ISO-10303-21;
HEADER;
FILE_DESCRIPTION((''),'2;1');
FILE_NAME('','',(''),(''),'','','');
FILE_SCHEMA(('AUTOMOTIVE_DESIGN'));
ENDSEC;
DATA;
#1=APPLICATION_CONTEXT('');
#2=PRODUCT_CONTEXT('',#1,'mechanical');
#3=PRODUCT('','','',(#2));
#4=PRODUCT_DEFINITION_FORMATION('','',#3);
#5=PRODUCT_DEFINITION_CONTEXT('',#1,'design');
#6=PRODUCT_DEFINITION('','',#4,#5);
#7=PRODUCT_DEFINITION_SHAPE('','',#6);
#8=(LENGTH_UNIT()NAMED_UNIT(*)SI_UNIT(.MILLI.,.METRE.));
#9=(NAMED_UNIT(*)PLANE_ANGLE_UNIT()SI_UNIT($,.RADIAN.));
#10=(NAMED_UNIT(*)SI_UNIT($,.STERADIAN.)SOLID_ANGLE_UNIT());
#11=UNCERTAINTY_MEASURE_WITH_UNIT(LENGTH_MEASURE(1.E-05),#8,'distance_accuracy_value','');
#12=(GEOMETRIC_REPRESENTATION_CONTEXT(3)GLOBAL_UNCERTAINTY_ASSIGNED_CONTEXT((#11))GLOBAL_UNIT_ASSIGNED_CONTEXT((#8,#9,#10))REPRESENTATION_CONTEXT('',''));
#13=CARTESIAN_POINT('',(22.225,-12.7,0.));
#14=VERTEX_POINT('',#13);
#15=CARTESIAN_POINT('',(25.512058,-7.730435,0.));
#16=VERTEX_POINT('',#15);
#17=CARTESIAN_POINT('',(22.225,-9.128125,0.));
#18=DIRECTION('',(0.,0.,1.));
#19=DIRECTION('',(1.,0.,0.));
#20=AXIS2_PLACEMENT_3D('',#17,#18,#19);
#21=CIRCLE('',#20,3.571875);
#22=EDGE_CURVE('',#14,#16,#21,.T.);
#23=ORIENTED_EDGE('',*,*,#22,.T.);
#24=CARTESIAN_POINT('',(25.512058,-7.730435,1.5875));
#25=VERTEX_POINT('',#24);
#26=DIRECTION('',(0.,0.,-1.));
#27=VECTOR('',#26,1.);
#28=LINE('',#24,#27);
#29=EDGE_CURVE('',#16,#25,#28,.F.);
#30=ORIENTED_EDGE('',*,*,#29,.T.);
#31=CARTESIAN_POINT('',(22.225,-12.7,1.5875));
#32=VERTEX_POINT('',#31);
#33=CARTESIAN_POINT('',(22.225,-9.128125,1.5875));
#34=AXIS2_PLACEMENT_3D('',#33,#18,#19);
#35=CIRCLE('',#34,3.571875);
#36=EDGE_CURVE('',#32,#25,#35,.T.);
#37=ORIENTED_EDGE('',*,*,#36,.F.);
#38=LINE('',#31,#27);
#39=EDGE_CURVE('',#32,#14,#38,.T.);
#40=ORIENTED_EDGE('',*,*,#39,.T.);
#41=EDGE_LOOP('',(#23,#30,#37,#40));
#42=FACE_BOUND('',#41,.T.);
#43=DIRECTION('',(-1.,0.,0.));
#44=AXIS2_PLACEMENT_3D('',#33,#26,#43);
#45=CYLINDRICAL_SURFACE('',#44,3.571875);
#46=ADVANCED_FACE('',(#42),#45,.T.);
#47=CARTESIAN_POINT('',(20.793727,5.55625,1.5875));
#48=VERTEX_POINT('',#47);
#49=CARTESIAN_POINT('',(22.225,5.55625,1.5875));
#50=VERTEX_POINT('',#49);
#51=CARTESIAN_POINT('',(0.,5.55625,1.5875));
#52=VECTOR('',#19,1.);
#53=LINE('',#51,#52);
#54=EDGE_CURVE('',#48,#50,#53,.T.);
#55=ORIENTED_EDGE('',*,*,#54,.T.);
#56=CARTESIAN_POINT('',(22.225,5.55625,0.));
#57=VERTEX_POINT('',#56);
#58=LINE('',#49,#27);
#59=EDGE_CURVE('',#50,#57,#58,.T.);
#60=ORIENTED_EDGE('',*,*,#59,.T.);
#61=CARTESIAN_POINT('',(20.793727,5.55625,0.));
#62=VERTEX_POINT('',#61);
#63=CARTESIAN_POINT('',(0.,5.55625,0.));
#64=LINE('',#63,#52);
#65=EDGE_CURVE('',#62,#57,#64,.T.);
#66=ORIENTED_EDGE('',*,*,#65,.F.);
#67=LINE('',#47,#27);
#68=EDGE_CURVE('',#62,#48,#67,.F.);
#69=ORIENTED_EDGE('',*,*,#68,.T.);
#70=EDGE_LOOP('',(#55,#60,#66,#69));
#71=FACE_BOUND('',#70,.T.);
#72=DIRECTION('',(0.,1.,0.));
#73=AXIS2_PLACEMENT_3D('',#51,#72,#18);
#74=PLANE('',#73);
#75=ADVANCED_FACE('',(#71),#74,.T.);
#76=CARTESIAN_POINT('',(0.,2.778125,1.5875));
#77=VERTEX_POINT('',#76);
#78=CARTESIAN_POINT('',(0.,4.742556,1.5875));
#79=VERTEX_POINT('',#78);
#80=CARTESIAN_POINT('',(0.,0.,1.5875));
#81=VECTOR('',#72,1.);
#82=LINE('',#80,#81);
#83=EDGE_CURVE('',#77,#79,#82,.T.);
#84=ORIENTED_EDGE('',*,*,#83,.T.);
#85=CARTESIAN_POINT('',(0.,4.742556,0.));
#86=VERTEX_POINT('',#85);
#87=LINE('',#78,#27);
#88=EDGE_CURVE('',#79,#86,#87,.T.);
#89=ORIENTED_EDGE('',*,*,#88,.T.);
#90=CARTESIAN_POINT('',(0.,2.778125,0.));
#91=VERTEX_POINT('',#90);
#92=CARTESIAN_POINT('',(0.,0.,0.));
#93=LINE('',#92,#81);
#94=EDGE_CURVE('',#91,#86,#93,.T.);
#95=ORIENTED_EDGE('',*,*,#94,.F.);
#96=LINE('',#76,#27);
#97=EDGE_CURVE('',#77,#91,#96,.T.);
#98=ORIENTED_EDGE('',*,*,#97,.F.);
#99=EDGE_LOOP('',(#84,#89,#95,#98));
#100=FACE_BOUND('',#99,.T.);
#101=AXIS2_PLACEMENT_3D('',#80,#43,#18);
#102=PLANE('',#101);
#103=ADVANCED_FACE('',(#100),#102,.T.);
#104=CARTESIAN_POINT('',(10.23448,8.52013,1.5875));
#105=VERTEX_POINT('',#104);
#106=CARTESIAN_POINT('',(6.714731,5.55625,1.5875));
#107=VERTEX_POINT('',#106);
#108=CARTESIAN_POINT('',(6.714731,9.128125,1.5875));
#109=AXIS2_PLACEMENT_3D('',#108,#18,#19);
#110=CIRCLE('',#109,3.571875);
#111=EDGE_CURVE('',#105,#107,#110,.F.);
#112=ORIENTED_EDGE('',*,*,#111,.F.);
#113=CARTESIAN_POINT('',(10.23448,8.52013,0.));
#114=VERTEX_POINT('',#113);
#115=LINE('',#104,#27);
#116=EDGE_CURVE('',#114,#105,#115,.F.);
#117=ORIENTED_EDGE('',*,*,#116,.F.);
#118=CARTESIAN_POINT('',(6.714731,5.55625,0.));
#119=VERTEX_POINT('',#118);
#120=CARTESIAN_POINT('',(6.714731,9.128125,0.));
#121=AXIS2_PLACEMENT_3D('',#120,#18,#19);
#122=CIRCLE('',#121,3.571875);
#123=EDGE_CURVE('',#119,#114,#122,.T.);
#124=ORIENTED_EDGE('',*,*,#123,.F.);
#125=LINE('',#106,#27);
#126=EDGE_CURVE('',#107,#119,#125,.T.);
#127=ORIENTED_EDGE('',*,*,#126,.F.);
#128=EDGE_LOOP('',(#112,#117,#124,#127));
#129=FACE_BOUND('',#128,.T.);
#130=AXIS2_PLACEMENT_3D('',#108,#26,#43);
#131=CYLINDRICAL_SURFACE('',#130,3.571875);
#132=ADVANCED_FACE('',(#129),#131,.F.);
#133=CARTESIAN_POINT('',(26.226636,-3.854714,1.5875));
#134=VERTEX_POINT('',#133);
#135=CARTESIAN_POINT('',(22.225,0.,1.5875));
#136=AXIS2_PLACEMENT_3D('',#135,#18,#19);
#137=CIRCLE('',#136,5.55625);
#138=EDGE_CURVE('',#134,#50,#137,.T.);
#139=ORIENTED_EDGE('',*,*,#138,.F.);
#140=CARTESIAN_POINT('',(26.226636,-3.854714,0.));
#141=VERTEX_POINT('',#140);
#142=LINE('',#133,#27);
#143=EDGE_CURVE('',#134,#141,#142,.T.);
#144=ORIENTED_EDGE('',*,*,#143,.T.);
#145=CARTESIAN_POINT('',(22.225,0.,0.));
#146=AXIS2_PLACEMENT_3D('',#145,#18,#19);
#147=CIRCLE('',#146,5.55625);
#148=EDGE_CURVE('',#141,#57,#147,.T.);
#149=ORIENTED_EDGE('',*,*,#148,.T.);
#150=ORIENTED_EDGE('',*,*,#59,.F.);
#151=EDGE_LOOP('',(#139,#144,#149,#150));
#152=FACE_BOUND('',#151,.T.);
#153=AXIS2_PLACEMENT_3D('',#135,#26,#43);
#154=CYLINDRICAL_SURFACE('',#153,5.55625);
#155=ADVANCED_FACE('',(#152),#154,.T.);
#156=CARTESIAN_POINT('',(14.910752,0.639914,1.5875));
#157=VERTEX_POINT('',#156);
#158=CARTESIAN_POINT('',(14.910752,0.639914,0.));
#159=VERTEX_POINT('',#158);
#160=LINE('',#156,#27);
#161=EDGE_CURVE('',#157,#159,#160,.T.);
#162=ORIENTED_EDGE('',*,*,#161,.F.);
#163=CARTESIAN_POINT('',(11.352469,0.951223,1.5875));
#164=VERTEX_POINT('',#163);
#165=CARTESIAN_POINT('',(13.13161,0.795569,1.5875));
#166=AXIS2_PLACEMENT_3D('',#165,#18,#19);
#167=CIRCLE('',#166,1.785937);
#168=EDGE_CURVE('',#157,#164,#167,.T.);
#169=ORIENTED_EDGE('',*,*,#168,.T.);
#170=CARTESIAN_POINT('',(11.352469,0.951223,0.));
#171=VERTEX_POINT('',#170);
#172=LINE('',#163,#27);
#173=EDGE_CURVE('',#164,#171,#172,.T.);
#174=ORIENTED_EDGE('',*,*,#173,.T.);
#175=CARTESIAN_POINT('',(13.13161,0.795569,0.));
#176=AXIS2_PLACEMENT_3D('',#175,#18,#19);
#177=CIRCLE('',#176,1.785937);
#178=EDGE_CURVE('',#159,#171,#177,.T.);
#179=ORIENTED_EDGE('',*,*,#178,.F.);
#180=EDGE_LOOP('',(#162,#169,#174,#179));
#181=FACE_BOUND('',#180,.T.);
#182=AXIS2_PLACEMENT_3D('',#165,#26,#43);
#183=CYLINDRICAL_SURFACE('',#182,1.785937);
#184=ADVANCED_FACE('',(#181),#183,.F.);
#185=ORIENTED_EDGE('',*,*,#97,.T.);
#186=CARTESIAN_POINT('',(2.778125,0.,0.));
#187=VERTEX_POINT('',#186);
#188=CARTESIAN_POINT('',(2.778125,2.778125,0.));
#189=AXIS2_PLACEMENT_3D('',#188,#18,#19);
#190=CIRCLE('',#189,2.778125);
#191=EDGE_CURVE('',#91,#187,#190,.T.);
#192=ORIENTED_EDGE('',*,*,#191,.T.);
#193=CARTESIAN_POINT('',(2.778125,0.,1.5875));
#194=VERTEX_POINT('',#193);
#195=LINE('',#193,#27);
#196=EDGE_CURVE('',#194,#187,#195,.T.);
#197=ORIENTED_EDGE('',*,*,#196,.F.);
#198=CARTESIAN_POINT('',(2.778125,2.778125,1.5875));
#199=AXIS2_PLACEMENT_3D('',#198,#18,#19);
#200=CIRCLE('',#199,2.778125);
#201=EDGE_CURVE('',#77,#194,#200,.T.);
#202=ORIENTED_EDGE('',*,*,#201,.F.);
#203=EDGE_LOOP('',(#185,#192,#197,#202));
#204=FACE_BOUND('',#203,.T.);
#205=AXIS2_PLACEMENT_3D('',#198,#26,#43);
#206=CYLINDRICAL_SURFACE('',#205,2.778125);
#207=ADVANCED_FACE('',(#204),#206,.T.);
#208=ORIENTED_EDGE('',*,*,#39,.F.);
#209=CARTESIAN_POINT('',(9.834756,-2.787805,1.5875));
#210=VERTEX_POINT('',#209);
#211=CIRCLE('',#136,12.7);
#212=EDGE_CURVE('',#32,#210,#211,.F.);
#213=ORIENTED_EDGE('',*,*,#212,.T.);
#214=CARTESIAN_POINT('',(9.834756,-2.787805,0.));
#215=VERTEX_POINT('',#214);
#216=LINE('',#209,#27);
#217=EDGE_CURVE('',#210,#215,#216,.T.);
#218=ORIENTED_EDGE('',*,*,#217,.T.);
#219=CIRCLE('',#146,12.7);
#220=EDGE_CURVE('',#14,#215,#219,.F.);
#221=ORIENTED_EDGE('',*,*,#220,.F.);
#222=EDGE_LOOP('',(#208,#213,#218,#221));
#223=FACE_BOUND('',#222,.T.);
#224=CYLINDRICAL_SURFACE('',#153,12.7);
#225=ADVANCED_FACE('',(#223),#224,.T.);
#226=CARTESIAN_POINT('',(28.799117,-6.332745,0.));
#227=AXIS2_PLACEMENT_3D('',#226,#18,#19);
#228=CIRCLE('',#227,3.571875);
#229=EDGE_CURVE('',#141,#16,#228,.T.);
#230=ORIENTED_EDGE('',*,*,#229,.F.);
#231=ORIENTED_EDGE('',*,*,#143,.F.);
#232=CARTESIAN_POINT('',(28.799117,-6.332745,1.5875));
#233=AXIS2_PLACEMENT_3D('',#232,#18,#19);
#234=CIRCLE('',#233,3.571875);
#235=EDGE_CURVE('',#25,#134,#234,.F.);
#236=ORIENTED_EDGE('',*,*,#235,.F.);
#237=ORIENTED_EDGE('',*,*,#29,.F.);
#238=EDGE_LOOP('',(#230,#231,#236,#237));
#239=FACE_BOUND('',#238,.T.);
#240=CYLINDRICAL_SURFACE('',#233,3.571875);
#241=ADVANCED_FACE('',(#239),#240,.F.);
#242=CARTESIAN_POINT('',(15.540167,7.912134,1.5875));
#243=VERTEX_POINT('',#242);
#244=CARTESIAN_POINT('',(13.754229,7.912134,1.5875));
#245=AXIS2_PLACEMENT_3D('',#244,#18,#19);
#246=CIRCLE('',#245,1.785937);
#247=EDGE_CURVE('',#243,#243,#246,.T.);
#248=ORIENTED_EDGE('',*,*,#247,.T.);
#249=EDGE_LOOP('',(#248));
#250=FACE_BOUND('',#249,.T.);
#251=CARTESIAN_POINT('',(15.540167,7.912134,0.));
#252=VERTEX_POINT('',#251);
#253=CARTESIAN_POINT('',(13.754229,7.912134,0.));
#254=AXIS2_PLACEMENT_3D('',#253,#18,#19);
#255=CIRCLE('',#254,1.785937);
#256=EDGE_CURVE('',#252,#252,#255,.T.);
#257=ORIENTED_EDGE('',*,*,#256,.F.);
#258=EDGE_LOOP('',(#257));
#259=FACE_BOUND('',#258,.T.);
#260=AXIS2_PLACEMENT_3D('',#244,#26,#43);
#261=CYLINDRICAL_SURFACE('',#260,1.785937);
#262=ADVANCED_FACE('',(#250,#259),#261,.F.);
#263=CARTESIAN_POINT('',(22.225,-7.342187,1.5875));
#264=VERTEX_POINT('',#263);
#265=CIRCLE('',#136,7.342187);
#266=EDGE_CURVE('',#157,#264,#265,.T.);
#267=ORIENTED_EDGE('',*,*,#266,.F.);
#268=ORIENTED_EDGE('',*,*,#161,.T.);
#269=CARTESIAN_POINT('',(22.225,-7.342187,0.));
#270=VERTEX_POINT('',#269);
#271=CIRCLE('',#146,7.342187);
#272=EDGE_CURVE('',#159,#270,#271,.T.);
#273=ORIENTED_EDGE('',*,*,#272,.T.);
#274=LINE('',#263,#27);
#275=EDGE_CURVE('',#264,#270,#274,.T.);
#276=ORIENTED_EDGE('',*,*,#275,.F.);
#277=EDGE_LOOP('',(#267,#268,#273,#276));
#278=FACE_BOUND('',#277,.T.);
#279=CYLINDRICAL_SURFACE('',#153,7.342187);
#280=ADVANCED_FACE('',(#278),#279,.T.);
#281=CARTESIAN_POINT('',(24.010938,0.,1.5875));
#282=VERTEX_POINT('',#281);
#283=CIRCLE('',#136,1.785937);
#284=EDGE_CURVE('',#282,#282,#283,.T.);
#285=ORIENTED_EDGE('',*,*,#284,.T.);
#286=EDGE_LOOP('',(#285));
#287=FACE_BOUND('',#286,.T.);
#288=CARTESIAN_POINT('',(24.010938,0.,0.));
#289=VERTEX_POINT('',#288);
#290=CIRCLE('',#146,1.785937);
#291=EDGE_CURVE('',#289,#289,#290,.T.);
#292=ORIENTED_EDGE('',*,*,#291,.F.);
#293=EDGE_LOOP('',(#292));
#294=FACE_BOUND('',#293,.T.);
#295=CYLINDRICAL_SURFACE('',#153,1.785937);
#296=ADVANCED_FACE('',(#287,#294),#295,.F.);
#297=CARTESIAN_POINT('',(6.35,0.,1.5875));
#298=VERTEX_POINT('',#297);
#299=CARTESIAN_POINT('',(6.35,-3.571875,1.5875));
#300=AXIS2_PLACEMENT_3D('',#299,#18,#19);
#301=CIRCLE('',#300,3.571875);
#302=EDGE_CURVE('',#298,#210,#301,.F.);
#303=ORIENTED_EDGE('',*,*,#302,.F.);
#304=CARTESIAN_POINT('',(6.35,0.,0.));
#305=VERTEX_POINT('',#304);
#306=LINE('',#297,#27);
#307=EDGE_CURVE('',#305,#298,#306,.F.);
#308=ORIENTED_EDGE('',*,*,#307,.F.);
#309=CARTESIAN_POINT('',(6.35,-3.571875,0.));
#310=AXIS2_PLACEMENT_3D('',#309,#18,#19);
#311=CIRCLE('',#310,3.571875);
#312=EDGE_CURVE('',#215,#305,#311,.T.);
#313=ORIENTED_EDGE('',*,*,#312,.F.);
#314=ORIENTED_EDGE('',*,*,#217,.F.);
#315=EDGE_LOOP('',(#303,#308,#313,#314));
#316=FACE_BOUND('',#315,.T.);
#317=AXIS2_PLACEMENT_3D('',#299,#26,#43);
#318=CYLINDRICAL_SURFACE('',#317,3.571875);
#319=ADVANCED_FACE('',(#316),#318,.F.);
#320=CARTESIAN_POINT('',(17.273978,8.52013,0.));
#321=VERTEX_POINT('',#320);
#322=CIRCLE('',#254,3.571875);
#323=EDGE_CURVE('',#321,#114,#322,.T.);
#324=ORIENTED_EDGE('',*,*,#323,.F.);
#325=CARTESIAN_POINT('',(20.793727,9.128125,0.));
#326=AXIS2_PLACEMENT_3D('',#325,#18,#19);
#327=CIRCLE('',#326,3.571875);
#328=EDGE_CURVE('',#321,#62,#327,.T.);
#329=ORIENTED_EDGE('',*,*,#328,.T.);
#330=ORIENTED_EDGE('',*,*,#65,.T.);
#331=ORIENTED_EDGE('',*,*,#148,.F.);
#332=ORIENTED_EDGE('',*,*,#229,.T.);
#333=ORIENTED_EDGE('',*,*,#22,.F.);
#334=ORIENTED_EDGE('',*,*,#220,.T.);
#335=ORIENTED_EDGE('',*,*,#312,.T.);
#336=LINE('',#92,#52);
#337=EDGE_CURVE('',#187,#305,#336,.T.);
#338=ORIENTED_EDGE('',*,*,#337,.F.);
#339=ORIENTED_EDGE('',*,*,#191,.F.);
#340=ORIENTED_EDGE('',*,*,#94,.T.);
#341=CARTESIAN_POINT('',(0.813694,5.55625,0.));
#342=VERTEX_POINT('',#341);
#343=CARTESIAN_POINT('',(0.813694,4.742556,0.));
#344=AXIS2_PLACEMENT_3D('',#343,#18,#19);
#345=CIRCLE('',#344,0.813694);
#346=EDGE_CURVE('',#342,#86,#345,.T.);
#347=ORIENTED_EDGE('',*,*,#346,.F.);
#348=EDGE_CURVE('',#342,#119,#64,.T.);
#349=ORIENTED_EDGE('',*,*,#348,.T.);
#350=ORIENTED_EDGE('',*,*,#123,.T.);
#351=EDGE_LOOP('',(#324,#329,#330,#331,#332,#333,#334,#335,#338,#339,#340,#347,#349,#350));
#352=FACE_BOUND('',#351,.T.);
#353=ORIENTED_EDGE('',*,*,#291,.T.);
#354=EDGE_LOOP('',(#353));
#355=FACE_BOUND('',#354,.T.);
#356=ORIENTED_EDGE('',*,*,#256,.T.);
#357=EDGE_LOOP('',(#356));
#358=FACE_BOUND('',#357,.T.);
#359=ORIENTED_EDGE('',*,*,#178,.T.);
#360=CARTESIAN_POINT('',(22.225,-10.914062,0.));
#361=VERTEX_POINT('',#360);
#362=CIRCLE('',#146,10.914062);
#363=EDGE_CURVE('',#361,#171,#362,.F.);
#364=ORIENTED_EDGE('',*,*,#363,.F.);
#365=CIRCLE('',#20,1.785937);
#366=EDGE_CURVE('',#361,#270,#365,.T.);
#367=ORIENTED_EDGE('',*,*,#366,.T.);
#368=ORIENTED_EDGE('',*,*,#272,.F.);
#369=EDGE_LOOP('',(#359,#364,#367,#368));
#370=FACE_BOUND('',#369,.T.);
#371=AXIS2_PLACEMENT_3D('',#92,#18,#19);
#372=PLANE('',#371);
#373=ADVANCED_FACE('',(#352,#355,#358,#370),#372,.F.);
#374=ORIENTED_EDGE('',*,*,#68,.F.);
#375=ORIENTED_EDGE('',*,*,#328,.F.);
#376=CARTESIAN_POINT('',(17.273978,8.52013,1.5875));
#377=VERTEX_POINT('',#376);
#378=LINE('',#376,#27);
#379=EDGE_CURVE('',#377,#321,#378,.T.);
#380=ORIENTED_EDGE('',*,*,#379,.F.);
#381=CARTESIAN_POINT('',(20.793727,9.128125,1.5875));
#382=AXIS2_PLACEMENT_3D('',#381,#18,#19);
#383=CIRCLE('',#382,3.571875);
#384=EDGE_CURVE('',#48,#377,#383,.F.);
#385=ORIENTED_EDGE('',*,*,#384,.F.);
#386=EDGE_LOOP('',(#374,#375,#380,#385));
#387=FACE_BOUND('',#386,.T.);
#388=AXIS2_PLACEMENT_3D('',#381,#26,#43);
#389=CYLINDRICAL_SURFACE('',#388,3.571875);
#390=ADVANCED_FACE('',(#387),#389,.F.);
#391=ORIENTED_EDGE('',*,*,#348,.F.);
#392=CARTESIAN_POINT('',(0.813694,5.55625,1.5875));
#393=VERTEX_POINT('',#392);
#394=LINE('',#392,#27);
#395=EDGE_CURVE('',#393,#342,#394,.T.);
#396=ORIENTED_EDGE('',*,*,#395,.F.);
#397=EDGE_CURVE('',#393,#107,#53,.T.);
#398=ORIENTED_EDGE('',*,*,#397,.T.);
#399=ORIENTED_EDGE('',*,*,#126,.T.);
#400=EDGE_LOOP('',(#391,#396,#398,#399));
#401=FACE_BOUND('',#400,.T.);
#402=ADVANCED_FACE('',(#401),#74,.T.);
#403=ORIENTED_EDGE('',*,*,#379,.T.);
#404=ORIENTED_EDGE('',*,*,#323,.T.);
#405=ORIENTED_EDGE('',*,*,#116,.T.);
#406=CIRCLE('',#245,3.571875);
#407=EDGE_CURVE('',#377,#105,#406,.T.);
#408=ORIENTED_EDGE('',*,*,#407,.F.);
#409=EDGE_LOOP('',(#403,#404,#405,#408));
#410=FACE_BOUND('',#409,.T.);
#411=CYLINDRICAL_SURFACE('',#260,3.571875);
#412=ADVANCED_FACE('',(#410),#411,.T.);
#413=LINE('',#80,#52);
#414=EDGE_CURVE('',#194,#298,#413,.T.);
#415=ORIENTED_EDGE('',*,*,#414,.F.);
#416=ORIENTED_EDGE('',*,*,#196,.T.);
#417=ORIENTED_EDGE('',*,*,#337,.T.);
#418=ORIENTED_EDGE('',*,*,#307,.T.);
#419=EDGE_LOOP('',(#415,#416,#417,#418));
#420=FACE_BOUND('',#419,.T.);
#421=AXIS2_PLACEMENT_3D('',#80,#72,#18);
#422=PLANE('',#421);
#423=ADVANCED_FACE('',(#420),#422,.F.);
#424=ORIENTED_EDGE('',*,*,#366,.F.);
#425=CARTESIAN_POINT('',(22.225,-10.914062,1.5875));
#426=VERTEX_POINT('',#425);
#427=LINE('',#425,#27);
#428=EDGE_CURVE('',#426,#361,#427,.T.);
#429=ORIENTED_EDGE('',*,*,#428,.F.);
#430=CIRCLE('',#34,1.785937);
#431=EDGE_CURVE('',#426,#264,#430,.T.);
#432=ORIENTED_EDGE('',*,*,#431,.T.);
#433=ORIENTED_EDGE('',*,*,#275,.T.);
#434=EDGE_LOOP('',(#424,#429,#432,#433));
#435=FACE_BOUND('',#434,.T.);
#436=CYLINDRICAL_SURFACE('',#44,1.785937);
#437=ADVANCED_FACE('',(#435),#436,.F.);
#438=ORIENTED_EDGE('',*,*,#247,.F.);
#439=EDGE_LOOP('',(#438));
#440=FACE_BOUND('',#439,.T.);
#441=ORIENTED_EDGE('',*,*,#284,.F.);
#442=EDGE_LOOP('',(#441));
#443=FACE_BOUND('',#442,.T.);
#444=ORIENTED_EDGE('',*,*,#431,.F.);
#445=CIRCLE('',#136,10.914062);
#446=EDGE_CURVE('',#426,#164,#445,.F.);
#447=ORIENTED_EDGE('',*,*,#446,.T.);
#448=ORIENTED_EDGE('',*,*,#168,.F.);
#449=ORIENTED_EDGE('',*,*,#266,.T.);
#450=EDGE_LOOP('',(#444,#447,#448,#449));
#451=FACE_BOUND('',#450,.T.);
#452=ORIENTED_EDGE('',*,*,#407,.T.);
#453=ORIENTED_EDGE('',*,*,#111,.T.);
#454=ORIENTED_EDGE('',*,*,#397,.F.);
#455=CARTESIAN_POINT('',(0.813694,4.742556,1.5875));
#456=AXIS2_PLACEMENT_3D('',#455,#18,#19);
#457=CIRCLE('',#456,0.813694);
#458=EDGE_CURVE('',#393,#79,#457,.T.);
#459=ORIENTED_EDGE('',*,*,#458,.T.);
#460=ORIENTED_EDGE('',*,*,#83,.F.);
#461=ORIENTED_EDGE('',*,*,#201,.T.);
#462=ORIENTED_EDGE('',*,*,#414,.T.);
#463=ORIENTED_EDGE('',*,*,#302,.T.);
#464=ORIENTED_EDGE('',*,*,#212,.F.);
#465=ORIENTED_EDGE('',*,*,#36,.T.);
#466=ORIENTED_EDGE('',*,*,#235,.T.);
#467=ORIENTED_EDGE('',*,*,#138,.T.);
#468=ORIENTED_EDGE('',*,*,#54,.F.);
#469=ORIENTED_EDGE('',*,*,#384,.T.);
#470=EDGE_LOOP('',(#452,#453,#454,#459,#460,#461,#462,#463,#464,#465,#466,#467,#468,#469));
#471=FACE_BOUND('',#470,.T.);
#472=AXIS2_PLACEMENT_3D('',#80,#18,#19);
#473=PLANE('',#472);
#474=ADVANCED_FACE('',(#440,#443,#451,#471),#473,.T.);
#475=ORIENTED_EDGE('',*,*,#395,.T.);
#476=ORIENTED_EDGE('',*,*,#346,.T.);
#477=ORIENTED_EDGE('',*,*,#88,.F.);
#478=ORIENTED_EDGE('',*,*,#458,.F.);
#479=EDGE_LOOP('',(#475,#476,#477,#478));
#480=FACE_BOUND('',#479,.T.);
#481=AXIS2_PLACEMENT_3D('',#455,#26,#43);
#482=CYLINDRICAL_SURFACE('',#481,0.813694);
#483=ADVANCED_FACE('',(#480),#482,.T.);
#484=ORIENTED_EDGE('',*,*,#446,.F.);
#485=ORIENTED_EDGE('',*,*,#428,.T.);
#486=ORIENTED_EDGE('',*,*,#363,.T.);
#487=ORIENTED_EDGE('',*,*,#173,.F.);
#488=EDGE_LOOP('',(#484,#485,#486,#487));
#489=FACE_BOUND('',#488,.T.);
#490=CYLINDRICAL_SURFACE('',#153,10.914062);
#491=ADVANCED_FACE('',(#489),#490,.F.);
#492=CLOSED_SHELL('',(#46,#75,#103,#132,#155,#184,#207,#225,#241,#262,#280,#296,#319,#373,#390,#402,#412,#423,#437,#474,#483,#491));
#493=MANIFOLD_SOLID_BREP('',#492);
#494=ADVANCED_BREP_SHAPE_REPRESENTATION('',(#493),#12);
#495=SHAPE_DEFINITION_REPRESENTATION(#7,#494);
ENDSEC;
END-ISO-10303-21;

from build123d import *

# Parameters (mm, degrees)
SKETCH1_R           = 1.7859375
BOSS_EXTRUDE1_DEPTH = 1.5875
FILLET1_R           = 3.571875


with BuildPart() as part:
    # Sketch1 → Boss-Extrude1 (new body)
    with BuildSketch(Plane.XY):
        with BuildLine():
            ThreePointArc((22.225, -12.7), (25.796875, -9.128125), (22.225, -5.55625))
            ThreePointArc((22.225, -5.55625), (27.78125, 0), (22.225, 5.55625))
            Line((22.225, 5.55625), (16.439019559, 5.55625))
            ThreePointArc((16.439019559, 5.55625), (13.754229109, 11.484009389), (11.069438658, 5.55625))
            Line((11.069438658, 5.55625), (0.813693974, 5.55625))
            ThreePointArc((0.813693974, 5.55625), (0.238325447, 5.317924553), (0, 4.742556026))
            Line((0, 4.742556026), (0, 2.778125))
            ThreePointArc((0, 2.778125), (0.813693974, 0.813693974), (2.778125, 0))
            Line((2.778125, 0), (9.525, 0))
            ThreePointArc((9.525, 0), (13.244743879, -8.980256121), (22.225, -12.7))
        make_face()
        with BuildLine():
            ThreePointArc((14.91075174, 0.639913805), (16.811771554, -4.960309977), (22.225, -7.3421875))
            ThreePointArc((22.225, -7.3421875), (24.0109375, -9.128125), (22.225, -10.9140625))
            ThreePointArc((22.225, -10.9140625), (14.178309066, -7.37343375), (11.352468803, 0.951223224))
            ThreePointArc((11.352468803, 0.951223224), (13.287264981, 2.574709983), (14.91075174, 0.639913805))
        make_face(mode=Mode.SUBTRACT)
        with Locations((22.225, 0)):
            Circle(SKETCH1_R, mode=Mode.SUBTRACT)
        with Locations((13.754229109, 7.912134389)):
            Circle(SKETCH1_R, mode=Mode.SUBTRACT)
    extrude(amount=BOSS_EXTRUDE1_DEPTH)

    # Fillet1
    fillet1_edges = [part.edges().sort_by_distance(p)[0] for p in [
        (11.069438658, 5.55625, 0.79375),
        (16.439019559, 5.55625, 0.79375),
        (22.225, -5.55625, 0.79375),
        (9.525, 0, 0.79375),
    ]]
    fillet(fillet1_edges, radius=FILLET1_R)


solid = part.part
